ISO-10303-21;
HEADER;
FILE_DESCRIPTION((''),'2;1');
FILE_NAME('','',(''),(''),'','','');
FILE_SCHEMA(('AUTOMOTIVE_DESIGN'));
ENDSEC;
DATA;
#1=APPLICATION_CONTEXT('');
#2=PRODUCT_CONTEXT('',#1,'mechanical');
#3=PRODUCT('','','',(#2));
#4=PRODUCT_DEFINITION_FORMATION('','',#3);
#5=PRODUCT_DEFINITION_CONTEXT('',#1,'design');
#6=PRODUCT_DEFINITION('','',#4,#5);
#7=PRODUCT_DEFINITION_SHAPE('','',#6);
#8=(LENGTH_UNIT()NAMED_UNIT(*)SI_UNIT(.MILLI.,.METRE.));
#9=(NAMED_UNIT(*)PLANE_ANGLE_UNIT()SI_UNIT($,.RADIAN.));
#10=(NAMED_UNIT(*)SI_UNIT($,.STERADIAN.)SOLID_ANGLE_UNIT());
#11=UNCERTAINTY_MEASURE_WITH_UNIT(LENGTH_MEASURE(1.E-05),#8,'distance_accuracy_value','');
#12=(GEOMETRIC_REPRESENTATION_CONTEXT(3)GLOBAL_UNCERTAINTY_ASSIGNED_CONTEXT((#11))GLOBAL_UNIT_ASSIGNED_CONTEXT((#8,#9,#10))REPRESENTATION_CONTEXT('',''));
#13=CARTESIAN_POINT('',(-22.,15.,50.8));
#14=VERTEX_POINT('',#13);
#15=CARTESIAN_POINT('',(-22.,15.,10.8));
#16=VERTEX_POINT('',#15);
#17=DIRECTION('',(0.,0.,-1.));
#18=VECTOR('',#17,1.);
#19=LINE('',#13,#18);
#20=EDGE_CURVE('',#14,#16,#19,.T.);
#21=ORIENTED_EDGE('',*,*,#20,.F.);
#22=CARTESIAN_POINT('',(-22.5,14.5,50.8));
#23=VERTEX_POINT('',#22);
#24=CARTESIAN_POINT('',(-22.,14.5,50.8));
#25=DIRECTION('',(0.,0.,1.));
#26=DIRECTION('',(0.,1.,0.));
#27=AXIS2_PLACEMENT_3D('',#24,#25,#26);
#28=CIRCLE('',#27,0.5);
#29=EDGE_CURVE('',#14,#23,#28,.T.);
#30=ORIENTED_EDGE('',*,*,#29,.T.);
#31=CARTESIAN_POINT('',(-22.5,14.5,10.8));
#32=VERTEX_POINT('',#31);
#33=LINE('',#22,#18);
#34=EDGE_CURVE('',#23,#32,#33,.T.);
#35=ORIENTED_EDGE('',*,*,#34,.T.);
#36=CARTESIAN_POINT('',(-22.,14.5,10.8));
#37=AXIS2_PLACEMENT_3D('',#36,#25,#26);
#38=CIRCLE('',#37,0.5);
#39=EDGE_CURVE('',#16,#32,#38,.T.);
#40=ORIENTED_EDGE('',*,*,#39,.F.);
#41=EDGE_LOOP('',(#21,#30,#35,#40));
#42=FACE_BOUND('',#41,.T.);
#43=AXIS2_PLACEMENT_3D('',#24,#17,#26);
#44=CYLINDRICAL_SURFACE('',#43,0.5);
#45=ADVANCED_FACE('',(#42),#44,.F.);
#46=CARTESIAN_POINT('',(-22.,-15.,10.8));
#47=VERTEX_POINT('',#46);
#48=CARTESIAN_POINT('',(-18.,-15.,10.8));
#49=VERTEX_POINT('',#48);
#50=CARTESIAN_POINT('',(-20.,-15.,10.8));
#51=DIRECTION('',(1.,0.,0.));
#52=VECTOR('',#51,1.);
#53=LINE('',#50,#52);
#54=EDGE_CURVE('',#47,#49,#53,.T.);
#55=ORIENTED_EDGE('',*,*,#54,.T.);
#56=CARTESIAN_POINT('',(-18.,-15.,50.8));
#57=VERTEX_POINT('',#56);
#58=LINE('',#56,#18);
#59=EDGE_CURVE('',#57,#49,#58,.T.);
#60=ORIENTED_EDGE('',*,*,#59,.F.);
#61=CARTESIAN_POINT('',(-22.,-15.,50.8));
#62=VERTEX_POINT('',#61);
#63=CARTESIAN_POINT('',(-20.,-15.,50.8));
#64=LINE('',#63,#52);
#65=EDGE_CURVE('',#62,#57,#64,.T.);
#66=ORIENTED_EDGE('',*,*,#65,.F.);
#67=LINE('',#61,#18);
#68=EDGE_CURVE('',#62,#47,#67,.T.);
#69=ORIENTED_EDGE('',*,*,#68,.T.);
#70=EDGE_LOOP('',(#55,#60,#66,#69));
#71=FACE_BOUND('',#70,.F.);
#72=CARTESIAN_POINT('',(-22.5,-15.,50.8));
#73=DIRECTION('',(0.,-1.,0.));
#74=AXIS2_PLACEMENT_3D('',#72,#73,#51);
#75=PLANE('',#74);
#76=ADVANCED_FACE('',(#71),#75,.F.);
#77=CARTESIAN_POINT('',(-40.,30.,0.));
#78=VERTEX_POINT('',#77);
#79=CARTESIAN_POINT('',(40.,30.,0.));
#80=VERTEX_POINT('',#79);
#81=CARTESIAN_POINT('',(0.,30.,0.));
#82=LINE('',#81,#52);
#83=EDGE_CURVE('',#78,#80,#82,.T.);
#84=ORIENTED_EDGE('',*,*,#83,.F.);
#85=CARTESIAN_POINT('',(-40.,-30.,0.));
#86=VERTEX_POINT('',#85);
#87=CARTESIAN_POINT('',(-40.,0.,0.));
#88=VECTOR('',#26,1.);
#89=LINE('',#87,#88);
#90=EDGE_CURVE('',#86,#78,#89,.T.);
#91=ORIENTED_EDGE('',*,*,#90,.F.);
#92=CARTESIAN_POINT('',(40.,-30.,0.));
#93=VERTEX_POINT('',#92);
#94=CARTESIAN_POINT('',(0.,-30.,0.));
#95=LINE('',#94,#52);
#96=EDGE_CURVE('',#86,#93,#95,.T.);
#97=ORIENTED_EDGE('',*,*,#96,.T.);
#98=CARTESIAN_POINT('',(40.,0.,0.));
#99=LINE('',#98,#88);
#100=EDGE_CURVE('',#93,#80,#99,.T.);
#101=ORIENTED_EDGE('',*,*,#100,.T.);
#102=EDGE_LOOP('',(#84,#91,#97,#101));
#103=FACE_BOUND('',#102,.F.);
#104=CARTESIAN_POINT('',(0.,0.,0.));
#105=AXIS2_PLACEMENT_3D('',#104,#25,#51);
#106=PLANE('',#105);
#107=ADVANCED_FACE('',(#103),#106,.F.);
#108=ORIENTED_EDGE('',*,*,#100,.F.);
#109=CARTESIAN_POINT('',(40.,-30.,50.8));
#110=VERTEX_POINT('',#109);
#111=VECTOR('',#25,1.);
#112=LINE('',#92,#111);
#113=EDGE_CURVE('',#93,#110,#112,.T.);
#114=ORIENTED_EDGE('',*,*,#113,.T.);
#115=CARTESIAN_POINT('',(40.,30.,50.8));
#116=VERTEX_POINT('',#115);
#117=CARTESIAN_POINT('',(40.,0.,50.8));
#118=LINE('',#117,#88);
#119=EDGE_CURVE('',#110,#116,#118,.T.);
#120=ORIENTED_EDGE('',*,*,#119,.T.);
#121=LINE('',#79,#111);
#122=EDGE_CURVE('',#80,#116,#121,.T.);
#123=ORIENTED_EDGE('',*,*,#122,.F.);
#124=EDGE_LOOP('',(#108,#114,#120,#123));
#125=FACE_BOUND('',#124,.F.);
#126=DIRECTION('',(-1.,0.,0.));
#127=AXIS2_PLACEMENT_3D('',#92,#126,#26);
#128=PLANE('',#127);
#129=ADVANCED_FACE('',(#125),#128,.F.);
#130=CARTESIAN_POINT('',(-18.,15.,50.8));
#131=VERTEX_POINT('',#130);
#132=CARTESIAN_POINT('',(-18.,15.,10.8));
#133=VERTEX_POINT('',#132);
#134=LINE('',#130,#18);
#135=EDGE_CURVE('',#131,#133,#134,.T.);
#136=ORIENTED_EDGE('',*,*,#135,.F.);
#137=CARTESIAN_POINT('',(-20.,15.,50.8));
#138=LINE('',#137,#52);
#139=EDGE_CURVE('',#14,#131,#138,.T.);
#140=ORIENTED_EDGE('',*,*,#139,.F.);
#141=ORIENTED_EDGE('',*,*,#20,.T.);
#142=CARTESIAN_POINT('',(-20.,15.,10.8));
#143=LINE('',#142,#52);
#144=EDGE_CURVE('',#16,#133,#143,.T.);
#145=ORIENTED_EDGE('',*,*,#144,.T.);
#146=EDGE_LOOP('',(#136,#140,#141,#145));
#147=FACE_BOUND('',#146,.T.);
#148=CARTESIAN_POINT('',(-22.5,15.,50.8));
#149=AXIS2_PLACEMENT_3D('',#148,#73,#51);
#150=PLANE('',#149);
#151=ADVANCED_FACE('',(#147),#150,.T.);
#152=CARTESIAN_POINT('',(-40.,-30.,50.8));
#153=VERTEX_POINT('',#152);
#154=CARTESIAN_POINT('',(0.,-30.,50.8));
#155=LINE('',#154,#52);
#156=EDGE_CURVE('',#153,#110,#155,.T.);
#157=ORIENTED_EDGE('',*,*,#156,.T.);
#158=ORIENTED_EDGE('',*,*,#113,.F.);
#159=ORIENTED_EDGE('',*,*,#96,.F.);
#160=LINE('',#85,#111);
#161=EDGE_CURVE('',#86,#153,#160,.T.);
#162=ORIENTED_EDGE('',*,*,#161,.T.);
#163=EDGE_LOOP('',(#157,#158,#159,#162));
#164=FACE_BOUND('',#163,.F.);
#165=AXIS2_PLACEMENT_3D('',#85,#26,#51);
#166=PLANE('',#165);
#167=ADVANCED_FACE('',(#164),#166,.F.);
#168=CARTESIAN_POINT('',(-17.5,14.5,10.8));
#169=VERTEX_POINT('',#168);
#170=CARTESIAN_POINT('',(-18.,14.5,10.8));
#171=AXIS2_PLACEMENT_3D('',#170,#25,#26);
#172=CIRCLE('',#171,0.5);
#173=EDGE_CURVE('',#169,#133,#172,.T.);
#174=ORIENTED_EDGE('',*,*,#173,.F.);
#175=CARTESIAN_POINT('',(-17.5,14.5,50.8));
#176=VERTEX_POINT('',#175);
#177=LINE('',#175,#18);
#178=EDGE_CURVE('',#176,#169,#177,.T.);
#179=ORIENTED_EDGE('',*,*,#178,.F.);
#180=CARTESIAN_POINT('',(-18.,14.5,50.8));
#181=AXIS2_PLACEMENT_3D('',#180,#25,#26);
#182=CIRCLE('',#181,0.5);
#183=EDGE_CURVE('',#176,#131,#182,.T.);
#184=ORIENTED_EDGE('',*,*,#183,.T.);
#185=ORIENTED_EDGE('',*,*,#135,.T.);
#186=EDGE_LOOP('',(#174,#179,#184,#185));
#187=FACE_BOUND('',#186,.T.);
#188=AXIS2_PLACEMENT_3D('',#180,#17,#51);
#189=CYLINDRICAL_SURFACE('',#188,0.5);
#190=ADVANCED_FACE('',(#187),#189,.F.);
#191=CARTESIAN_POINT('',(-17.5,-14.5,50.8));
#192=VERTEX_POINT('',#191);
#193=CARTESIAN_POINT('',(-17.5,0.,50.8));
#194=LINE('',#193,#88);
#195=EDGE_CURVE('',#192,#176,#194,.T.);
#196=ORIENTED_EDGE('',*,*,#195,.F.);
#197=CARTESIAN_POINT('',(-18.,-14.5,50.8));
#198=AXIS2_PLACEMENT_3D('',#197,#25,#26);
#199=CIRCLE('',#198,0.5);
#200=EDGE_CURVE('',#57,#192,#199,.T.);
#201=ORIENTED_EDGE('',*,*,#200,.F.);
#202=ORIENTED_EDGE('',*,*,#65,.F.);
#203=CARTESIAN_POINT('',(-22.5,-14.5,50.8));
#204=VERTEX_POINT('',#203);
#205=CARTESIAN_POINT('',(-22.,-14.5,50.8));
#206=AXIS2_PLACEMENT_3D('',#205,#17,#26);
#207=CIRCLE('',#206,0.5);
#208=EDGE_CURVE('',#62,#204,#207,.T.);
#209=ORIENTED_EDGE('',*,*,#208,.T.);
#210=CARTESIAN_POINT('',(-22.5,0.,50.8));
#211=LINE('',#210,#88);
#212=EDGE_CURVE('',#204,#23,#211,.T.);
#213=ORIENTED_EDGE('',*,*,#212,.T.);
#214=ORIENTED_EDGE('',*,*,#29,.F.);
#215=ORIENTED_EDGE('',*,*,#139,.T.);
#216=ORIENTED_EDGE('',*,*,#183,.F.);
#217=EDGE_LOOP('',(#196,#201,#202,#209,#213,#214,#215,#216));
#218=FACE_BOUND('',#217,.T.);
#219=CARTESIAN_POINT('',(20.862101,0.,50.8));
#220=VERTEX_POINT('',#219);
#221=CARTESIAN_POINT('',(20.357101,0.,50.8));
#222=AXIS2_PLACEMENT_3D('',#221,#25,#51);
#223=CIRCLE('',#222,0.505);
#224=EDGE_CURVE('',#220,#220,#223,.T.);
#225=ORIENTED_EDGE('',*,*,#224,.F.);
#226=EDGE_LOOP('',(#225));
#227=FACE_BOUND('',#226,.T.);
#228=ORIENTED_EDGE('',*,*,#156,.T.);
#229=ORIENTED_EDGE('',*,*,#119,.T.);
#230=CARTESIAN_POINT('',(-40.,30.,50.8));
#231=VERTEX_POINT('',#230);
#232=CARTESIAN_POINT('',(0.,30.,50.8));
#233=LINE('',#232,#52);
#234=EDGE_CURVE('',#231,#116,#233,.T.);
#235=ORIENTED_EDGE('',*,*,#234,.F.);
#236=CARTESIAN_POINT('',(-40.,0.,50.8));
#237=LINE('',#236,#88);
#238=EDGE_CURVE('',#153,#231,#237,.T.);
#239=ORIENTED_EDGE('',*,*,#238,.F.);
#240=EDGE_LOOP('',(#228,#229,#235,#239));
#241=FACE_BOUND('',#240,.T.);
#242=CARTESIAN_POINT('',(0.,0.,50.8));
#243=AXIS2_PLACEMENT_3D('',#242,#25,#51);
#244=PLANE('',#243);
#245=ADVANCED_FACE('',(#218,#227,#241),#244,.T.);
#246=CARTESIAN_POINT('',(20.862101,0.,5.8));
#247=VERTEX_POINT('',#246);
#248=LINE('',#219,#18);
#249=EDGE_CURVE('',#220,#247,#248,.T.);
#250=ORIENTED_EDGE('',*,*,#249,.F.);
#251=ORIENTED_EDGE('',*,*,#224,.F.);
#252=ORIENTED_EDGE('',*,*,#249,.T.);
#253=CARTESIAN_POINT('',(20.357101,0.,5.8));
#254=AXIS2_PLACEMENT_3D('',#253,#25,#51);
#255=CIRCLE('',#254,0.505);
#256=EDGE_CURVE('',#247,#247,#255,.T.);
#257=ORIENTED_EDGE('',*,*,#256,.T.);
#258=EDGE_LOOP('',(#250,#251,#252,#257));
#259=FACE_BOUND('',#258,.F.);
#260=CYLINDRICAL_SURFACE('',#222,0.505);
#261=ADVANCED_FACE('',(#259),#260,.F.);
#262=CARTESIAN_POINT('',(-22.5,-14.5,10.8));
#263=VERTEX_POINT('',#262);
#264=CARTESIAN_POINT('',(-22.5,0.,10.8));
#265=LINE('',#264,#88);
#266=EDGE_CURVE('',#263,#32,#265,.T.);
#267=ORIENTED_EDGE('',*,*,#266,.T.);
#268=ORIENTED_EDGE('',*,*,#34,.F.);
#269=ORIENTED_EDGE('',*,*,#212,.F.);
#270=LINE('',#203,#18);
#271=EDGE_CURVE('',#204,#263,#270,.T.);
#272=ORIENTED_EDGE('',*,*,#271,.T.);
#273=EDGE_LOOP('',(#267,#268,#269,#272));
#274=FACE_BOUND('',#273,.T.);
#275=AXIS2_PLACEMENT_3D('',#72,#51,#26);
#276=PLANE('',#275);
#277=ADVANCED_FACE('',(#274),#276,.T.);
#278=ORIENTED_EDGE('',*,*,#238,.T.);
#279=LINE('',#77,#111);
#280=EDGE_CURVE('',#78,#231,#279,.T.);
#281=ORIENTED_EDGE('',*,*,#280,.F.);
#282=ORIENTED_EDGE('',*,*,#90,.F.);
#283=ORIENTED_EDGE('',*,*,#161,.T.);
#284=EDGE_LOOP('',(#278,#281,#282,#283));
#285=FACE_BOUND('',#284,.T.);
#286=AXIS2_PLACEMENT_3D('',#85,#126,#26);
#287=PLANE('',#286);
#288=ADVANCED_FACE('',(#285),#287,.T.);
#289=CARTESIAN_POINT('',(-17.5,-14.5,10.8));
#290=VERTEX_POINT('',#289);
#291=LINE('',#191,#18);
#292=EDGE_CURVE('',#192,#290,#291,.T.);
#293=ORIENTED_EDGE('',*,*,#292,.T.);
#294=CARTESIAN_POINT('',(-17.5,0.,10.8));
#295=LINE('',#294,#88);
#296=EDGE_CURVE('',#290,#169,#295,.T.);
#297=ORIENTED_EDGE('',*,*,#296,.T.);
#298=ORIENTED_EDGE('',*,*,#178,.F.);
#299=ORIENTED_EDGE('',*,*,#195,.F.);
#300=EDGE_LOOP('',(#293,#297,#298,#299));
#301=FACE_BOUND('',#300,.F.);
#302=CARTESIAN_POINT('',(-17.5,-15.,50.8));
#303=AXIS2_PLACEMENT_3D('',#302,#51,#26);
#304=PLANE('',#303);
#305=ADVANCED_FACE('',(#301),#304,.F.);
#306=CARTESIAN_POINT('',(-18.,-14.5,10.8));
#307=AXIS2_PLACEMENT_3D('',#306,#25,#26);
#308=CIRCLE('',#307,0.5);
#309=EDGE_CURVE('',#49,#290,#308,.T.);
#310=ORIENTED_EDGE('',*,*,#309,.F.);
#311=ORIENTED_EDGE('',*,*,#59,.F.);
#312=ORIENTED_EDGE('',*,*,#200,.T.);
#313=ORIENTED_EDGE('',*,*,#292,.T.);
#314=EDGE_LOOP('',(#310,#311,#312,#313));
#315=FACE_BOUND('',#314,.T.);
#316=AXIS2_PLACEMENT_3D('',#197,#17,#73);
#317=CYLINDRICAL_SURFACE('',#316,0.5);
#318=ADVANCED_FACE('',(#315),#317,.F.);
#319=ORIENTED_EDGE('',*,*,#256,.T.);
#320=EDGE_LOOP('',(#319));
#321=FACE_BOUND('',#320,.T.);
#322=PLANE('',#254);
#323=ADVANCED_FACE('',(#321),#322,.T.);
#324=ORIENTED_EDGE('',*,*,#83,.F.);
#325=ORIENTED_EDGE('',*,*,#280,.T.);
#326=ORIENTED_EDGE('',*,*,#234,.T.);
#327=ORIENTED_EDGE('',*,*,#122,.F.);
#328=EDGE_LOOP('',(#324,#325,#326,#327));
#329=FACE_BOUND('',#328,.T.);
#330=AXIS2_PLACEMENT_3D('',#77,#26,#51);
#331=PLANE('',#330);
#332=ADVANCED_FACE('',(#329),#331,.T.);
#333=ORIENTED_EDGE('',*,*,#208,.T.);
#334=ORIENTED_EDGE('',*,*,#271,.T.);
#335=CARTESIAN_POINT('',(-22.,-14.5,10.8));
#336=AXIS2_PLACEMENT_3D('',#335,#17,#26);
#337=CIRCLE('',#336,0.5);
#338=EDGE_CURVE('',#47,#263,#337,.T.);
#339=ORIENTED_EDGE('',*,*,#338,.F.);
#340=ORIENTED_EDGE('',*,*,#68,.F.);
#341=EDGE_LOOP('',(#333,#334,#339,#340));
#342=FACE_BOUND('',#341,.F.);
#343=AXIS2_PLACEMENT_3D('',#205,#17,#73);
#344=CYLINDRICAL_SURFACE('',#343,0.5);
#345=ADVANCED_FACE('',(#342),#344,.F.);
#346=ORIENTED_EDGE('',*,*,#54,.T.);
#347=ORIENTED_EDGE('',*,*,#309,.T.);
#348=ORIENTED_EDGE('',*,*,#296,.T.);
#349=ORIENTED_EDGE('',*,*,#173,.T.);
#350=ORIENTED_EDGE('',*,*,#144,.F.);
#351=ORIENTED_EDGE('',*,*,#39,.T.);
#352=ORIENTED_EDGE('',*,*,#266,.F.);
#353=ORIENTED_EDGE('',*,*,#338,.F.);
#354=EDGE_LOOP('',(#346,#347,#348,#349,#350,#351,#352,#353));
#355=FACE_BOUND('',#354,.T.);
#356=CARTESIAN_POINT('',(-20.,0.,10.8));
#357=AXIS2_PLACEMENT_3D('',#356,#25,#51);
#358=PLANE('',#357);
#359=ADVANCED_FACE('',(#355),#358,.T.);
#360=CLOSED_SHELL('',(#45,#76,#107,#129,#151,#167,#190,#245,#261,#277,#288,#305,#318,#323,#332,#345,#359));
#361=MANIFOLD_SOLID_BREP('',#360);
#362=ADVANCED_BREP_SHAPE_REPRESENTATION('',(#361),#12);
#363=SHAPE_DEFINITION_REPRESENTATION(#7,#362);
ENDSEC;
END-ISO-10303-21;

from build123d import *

# Parameters (mm, degrees)
F0_W     = 80
F0_H     = 60
F1_DEPTH = 50.8
F2_W     = 5
F2_H     = 30
F3_DEPTH = 40
F4_R     = 0.5
F5_R     = 0.505
F6_DEPTH = 45


with BuildPart() as f1:
    # F0 (on Top) → F1 (new body)
    with BuildSketch(Plane.XY):
        Rectangle(F0_W, F0_H)
    extrude(amount=F1_DEPTH)

    # F2 (on face) → F3 (cut)
    with BuildSketch(Plane.XY.offset(50.8)):
        with Locations((-20, 0)):
            Rectangle(F2_W, F2_H)
    extrude(amount=-F3_DEPTH, mode=Mode.SUBTRACT)

    # F4
    f4_edges = [f1.edges().sort_by_distance(p)[0] for p in [
        (-22.5, 15, 30.8),
        (-17.5, 15, 30.8),
        (-22.5, -15, 30.8),
        (-17.5, -15, 30.8),
    ]]
    fillet(f4_edges, radius=F4_R)

    # F5 (on face) → F6 (cut)
    with BuildSketch(Plane.XY.offset(50.8)):
        with Locations((20.357101, 0)):
            Circle(F5_R)
    extrude(amount=-F6_DEPTH, mode=Mode.SUBTRACT)


solid = f1.part
